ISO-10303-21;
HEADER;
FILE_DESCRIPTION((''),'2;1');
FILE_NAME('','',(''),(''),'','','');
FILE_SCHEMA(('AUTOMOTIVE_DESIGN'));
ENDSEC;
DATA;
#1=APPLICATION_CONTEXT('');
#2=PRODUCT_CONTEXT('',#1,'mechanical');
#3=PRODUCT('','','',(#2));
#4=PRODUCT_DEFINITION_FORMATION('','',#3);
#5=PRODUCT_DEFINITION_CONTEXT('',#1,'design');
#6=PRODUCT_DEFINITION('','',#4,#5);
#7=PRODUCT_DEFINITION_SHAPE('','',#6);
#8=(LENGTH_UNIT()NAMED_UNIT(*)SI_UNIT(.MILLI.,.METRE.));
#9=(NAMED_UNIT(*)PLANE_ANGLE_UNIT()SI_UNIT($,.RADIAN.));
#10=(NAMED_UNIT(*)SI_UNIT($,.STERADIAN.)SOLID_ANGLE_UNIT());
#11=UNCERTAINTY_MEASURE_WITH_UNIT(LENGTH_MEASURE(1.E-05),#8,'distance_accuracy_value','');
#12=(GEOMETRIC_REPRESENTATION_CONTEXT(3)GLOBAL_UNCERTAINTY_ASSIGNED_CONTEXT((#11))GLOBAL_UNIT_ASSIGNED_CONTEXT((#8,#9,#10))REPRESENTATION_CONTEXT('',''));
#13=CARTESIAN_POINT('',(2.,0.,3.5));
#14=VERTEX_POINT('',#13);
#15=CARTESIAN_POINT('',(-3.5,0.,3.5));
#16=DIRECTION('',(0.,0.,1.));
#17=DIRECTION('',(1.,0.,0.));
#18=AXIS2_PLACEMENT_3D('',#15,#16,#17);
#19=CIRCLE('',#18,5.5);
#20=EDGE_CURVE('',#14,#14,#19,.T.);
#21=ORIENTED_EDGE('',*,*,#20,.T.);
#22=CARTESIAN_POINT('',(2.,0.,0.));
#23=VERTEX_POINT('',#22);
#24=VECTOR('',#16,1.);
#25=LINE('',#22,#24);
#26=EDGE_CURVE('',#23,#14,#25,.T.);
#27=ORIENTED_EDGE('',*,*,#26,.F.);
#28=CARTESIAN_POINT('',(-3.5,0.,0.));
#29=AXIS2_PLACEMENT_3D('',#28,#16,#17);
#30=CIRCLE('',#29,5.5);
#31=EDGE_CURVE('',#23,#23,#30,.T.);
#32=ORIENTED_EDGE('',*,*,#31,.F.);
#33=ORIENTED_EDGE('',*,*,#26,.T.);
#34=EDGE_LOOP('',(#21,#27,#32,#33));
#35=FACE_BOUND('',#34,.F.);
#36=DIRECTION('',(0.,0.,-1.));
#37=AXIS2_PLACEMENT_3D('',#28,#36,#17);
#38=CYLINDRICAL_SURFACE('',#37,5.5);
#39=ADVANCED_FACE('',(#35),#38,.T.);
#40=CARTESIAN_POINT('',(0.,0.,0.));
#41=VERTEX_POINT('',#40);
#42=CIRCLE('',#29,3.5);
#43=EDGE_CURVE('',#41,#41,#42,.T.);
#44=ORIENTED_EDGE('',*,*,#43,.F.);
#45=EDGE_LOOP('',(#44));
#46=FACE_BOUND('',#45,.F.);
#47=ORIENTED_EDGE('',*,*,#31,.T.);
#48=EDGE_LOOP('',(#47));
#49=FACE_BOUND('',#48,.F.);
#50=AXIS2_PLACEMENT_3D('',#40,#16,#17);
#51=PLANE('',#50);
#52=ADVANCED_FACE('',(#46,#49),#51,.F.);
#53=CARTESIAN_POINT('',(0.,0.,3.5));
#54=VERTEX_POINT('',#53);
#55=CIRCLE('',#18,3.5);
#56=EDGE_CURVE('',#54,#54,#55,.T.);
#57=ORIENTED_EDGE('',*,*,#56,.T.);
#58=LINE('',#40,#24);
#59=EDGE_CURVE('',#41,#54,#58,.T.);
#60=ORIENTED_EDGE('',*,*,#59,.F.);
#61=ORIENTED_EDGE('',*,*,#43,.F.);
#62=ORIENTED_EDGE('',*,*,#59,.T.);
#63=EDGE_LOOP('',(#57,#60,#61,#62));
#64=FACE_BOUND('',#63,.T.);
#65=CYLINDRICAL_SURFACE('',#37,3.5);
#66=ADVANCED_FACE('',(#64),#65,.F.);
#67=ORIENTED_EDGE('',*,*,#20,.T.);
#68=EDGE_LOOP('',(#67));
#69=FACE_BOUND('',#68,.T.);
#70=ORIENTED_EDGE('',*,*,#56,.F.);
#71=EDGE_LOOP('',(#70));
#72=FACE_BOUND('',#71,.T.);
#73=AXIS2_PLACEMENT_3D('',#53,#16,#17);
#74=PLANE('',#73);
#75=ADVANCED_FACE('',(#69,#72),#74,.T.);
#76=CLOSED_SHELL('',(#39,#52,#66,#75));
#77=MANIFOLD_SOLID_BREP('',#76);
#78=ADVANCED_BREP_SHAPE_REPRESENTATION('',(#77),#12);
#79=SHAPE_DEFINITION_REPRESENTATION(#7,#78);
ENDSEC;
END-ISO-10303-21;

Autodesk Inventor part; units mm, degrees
ref_plane "YZ Plane" through (0, 0, 0) normal (1, 0, 0) x (0, 1, 0)
ref_plane "XZ Plane" through (0, 0, 0) normal (0, 1, 0) x (-1, 0, 0)
sketch "Sketch1" plane through (0, 0, 0) normal (0, 0, 1) x (1, 0, 0)
  circle A0 centre (-3.5, 0) radius 3.5 projected
  circle A1 centre (-3.5, 0) radius 5.5
  point P0 (0, 0)
  dimension "d0" = 11
ref_plane "Work Plane1" through (-7, -3.5, 6) normal (0, 0, 1) x (1, 0, 0)
extrude "Extrusion2" add sketch "Sketch1" along normal blind 3.5
properties part number "big_bearing" material "Steel, Alloy"
